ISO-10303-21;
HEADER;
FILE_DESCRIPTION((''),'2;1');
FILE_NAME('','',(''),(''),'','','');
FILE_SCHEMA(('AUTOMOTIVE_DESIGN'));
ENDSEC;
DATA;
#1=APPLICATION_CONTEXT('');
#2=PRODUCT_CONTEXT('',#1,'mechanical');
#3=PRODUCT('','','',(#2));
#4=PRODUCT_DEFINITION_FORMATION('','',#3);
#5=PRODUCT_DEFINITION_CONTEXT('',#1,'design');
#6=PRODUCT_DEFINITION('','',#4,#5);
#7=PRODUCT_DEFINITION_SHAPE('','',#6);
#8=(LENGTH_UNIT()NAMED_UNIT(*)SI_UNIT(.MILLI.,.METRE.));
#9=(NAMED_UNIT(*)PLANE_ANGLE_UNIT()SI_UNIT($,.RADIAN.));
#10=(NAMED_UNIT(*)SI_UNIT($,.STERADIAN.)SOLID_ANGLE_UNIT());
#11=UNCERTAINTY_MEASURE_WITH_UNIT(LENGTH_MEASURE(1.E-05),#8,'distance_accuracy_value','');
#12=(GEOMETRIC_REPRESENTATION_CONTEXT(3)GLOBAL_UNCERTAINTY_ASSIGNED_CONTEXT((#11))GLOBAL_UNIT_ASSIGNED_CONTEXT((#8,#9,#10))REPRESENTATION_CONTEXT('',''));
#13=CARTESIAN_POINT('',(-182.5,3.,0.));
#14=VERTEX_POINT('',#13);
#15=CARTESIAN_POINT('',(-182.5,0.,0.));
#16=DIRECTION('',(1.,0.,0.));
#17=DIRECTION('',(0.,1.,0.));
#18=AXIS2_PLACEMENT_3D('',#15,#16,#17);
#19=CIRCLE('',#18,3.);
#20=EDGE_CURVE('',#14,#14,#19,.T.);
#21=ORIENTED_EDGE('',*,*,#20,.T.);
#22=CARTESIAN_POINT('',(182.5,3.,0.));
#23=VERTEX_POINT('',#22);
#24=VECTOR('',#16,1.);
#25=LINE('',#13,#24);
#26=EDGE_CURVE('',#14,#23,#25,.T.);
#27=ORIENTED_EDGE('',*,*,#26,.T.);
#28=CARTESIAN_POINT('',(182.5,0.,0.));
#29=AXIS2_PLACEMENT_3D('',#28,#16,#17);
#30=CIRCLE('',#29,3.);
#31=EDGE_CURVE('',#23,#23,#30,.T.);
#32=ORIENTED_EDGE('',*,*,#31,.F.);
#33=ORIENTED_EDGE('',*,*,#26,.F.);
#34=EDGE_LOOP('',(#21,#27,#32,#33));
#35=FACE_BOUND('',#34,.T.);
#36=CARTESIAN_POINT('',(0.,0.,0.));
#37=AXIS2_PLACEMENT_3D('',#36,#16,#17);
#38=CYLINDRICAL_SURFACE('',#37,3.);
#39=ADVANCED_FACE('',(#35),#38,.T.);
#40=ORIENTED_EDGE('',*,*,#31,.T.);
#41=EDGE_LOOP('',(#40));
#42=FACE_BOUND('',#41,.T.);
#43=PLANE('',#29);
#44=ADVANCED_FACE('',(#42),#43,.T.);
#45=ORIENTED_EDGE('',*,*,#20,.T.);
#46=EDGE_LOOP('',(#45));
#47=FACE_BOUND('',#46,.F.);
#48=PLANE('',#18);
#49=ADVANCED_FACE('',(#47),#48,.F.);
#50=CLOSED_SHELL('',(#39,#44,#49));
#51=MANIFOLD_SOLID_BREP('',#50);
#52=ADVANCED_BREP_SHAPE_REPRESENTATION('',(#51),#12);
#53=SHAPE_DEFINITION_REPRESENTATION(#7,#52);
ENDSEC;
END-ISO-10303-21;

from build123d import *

# Parameters (mm, degrees)
SKETCH_R  = 3
PAD_DEPTH = 182.5


with BuildPart() as part:
    # Sketch → Pad (new body, symmetric)
    with BuildSketch(Plane.YZ):
        Circle(SKETCH_R)
    extrude(amount=PAD_DEPTH, both=True)


solid = part.part
